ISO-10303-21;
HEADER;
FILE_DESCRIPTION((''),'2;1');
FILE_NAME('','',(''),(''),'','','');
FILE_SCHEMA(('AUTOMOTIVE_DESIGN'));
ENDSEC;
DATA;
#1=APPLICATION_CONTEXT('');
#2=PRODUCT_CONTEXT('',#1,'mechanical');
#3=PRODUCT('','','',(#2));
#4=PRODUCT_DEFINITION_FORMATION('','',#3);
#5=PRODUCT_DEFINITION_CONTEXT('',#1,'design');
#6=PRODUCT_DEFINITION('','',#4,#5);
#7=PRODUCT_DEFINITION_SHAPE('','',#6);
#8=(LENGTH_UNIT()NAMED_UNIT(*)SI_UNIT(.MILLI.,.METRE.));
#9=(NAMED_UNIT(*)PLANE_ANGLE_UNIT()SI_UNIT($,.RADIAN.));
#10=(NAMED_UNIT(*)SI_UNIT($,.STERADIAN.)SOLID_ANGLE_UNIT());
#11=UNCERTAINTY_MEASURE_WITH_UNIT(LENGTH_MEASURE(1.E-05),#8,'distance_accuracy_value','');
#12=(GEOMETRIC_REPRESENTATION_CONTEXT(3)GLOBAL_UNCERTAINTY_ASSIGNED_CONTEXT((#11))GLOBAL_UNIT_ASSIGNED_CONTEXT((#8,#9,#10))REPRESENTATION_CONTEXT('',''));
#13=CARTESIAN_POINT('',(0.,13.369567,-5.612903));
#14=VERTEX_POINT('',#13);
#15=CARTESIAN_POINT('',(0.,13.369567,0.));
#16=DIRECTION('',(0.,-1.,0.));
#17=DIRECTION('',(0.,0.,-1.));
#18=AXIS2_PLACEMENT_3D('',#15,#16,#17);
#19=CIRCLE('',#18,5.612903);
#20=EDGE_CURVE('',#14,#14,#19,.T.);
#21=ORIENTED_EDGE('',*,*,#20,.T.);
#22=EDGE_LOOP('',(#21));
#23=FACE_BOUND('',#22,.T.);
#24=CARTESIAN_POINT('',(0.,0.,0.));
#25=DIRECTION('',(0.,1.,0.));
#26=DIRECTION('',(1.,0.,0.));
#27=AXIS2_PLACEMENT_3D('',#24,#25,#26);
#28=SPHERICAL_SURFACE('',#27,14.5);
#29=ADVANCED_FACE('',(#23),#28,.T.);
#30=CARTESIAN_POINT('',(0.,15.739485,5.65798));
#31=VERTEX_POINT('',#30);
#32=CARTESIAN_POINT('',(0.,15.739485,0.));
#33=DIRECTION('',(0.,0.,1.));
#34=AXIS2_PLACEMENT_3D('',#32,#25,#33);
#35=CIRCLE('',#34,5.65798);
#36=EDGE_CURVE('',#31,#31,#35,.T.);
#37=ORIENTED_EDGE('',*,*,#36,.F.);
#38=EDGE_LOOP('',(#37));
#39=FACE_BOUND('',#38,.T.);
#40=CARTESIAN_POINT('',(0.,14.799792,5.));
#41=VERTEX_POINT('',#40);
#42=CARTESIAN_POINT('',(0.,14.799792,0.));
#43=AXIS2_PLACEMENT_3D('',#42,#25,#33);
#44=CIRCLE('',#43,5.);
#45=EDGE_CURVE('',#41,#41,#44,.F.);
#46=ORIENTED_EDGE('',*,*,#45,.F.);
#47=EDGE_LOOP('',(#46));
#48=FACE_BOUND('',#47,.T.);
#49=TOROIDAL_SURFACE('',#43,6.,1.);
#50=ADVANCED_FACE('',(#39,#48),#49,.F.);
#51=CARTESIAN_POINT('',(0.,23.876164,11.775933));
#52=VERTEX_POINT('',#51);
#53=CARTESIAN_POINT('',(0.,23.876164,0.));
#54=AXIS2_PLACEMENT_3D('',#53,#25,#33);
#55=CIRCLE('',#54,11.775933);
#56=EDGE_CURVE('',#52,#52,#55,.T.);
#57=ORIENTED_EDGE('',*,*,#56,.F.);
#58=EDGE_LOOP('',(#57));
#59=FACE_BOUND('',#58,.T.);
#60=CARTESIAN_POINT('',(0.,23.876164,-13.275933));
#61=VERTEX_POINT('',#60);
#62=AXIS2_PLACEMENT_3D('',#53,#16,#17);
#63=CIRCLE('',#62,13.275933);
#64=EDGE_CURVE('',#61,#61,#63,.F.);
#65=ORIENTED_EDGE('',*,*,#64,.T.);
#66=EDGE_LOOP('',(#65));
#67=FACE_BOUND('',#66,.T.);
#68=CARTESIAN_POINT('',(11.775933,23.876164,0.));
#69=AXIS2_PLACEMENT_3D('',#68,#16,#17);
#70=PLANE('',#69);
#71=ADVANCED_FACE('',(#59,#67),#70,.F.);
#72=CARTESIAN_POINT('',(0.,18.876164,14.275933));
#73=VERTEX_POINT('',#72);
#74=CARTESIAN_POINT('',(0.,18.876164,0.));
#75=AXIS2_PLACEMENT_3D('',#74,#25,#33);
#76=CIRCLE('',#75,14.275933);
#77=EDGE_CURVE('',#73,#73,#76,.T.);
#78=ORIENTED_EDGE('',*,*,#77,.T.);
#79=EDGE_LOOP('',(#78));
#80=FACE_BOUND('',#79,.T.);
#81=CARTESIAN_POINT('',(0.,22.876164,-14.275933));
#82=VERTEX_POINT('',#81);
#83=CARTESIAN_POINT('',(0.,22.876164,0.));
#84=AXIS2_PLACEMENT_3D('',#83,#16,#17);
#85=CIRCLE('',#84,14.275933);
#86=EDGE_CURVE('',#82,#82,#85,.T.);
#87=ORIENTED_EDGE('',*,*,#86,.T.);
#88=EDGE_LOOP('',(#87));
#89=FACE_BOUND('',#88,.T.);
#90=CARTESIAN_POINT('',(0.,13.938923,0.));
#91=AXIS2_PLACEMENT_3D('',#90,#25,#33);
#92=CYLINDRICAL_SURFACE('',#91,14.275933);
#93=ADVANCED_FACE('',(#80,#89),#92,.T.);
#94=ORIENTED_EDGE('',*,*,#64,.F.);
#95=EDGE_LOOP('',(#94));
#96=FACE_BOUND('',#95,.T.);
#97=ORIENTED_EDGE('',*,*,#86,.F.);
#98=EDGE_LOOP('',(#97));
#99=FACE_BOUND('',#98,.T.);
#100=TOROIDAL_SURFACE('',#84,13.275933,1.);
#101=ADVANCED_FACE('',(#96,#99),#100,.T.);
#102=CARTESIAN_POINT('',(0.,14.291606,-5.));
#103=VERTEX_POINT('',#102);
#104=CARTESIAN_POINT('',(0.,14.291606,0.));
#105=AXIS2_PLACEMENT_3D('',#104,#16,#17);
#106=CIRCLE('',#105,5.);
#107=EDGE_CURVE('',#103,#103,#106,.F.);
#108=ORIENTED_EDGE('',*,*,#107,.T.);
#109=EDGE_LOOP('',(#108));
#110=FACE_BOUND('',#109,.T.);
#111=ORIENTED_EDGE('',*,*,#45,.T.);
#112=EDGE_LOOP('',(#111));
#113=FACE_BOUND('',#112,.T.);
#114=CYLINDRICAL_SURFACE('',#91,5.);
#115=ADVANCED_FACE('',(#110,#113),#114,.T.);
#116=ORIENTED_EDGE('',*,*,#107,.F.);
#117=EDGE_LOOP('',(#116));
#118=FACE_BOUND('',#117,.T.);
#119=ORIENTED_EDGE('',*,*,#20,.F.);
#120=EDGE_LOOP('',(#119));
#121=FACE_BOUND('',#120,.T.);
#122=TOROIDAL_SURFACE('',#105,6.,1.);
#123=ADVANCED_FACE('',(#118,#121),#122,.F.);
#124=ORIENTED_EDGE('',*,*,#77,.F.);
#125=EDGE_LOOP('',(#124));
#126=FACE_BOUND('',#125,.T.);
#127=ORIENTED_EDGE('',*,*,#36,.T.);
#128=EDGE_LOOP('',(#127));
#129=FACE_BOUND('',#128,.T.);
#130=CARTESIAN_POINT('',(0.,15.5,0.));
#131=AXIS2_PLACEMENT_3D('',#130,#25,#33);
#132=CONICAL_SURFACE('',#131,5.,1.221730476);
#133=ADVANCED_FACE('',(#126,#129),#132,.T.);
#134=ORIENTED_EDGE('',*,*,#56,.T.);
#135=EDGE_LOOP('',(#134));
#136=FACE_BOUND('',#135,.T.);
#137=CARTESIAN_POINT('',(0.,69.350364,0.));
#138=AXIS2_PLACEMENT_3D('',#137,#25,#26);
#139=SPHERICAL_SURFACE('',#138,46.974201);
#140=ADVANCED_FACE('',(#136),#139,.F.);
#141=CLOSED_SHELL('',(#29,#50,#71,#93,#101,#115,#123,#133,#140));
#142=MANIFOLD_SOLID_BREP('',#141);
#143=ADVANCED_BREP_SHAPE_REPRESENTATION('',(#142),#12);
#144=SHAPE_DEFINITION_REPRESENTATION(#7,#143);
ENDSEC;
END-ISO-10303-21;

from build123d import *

# Parameters (mm, degrees)
FILLET1_R = 1


with BuildPart() as part:
    # Sketch1 → Revolve1 (revolve)
    with BuildSketch(Plane.XY, mode=Mode.PRIVATE) as revolve1_sk:
        with BuildLine():
            Line((0, 13.938923092), (0, -14.5))
            ThreePointArc((0, -14.5), (14.275933158, -2.539238563), (5, 13.610657589))
            Line((5, 13.610657589), (5, 15.5))
            Line((5, 15.5), (14.275933158, 18.876163564))
            Line((14.275933158, 18.876163564), (14.275933158, 23.876163564))
            Line((14.275933158, 23.876163564), (11.775933158, 23.876163564))
            ThreePointArc((11.775933158, 23.876163564), (5.935541292, 22.752672467), (0, 22.376163564))
            Line((0, 22.376163564), (0, 13.938923092))
        make_face()
    revolve(revolve1_sk.sketch.rotate(Axis((0, 13.938923092, 0), (0, -1, 0)), 90), axis=Axis((0, 13.938923092, 0), (0, -1, 0)))

    # Fillet1
    fillet1_edges = [part.edges().sort_by_distance(p)[0] for p in [
        (0, 13.610657589, -5),
        (0, 23.876163564, -14.275933158),
        (0, 15.5, -5),
    ]]
    fillet(fillet1_edges, radius=FILLET1_R)


solid = part.part
